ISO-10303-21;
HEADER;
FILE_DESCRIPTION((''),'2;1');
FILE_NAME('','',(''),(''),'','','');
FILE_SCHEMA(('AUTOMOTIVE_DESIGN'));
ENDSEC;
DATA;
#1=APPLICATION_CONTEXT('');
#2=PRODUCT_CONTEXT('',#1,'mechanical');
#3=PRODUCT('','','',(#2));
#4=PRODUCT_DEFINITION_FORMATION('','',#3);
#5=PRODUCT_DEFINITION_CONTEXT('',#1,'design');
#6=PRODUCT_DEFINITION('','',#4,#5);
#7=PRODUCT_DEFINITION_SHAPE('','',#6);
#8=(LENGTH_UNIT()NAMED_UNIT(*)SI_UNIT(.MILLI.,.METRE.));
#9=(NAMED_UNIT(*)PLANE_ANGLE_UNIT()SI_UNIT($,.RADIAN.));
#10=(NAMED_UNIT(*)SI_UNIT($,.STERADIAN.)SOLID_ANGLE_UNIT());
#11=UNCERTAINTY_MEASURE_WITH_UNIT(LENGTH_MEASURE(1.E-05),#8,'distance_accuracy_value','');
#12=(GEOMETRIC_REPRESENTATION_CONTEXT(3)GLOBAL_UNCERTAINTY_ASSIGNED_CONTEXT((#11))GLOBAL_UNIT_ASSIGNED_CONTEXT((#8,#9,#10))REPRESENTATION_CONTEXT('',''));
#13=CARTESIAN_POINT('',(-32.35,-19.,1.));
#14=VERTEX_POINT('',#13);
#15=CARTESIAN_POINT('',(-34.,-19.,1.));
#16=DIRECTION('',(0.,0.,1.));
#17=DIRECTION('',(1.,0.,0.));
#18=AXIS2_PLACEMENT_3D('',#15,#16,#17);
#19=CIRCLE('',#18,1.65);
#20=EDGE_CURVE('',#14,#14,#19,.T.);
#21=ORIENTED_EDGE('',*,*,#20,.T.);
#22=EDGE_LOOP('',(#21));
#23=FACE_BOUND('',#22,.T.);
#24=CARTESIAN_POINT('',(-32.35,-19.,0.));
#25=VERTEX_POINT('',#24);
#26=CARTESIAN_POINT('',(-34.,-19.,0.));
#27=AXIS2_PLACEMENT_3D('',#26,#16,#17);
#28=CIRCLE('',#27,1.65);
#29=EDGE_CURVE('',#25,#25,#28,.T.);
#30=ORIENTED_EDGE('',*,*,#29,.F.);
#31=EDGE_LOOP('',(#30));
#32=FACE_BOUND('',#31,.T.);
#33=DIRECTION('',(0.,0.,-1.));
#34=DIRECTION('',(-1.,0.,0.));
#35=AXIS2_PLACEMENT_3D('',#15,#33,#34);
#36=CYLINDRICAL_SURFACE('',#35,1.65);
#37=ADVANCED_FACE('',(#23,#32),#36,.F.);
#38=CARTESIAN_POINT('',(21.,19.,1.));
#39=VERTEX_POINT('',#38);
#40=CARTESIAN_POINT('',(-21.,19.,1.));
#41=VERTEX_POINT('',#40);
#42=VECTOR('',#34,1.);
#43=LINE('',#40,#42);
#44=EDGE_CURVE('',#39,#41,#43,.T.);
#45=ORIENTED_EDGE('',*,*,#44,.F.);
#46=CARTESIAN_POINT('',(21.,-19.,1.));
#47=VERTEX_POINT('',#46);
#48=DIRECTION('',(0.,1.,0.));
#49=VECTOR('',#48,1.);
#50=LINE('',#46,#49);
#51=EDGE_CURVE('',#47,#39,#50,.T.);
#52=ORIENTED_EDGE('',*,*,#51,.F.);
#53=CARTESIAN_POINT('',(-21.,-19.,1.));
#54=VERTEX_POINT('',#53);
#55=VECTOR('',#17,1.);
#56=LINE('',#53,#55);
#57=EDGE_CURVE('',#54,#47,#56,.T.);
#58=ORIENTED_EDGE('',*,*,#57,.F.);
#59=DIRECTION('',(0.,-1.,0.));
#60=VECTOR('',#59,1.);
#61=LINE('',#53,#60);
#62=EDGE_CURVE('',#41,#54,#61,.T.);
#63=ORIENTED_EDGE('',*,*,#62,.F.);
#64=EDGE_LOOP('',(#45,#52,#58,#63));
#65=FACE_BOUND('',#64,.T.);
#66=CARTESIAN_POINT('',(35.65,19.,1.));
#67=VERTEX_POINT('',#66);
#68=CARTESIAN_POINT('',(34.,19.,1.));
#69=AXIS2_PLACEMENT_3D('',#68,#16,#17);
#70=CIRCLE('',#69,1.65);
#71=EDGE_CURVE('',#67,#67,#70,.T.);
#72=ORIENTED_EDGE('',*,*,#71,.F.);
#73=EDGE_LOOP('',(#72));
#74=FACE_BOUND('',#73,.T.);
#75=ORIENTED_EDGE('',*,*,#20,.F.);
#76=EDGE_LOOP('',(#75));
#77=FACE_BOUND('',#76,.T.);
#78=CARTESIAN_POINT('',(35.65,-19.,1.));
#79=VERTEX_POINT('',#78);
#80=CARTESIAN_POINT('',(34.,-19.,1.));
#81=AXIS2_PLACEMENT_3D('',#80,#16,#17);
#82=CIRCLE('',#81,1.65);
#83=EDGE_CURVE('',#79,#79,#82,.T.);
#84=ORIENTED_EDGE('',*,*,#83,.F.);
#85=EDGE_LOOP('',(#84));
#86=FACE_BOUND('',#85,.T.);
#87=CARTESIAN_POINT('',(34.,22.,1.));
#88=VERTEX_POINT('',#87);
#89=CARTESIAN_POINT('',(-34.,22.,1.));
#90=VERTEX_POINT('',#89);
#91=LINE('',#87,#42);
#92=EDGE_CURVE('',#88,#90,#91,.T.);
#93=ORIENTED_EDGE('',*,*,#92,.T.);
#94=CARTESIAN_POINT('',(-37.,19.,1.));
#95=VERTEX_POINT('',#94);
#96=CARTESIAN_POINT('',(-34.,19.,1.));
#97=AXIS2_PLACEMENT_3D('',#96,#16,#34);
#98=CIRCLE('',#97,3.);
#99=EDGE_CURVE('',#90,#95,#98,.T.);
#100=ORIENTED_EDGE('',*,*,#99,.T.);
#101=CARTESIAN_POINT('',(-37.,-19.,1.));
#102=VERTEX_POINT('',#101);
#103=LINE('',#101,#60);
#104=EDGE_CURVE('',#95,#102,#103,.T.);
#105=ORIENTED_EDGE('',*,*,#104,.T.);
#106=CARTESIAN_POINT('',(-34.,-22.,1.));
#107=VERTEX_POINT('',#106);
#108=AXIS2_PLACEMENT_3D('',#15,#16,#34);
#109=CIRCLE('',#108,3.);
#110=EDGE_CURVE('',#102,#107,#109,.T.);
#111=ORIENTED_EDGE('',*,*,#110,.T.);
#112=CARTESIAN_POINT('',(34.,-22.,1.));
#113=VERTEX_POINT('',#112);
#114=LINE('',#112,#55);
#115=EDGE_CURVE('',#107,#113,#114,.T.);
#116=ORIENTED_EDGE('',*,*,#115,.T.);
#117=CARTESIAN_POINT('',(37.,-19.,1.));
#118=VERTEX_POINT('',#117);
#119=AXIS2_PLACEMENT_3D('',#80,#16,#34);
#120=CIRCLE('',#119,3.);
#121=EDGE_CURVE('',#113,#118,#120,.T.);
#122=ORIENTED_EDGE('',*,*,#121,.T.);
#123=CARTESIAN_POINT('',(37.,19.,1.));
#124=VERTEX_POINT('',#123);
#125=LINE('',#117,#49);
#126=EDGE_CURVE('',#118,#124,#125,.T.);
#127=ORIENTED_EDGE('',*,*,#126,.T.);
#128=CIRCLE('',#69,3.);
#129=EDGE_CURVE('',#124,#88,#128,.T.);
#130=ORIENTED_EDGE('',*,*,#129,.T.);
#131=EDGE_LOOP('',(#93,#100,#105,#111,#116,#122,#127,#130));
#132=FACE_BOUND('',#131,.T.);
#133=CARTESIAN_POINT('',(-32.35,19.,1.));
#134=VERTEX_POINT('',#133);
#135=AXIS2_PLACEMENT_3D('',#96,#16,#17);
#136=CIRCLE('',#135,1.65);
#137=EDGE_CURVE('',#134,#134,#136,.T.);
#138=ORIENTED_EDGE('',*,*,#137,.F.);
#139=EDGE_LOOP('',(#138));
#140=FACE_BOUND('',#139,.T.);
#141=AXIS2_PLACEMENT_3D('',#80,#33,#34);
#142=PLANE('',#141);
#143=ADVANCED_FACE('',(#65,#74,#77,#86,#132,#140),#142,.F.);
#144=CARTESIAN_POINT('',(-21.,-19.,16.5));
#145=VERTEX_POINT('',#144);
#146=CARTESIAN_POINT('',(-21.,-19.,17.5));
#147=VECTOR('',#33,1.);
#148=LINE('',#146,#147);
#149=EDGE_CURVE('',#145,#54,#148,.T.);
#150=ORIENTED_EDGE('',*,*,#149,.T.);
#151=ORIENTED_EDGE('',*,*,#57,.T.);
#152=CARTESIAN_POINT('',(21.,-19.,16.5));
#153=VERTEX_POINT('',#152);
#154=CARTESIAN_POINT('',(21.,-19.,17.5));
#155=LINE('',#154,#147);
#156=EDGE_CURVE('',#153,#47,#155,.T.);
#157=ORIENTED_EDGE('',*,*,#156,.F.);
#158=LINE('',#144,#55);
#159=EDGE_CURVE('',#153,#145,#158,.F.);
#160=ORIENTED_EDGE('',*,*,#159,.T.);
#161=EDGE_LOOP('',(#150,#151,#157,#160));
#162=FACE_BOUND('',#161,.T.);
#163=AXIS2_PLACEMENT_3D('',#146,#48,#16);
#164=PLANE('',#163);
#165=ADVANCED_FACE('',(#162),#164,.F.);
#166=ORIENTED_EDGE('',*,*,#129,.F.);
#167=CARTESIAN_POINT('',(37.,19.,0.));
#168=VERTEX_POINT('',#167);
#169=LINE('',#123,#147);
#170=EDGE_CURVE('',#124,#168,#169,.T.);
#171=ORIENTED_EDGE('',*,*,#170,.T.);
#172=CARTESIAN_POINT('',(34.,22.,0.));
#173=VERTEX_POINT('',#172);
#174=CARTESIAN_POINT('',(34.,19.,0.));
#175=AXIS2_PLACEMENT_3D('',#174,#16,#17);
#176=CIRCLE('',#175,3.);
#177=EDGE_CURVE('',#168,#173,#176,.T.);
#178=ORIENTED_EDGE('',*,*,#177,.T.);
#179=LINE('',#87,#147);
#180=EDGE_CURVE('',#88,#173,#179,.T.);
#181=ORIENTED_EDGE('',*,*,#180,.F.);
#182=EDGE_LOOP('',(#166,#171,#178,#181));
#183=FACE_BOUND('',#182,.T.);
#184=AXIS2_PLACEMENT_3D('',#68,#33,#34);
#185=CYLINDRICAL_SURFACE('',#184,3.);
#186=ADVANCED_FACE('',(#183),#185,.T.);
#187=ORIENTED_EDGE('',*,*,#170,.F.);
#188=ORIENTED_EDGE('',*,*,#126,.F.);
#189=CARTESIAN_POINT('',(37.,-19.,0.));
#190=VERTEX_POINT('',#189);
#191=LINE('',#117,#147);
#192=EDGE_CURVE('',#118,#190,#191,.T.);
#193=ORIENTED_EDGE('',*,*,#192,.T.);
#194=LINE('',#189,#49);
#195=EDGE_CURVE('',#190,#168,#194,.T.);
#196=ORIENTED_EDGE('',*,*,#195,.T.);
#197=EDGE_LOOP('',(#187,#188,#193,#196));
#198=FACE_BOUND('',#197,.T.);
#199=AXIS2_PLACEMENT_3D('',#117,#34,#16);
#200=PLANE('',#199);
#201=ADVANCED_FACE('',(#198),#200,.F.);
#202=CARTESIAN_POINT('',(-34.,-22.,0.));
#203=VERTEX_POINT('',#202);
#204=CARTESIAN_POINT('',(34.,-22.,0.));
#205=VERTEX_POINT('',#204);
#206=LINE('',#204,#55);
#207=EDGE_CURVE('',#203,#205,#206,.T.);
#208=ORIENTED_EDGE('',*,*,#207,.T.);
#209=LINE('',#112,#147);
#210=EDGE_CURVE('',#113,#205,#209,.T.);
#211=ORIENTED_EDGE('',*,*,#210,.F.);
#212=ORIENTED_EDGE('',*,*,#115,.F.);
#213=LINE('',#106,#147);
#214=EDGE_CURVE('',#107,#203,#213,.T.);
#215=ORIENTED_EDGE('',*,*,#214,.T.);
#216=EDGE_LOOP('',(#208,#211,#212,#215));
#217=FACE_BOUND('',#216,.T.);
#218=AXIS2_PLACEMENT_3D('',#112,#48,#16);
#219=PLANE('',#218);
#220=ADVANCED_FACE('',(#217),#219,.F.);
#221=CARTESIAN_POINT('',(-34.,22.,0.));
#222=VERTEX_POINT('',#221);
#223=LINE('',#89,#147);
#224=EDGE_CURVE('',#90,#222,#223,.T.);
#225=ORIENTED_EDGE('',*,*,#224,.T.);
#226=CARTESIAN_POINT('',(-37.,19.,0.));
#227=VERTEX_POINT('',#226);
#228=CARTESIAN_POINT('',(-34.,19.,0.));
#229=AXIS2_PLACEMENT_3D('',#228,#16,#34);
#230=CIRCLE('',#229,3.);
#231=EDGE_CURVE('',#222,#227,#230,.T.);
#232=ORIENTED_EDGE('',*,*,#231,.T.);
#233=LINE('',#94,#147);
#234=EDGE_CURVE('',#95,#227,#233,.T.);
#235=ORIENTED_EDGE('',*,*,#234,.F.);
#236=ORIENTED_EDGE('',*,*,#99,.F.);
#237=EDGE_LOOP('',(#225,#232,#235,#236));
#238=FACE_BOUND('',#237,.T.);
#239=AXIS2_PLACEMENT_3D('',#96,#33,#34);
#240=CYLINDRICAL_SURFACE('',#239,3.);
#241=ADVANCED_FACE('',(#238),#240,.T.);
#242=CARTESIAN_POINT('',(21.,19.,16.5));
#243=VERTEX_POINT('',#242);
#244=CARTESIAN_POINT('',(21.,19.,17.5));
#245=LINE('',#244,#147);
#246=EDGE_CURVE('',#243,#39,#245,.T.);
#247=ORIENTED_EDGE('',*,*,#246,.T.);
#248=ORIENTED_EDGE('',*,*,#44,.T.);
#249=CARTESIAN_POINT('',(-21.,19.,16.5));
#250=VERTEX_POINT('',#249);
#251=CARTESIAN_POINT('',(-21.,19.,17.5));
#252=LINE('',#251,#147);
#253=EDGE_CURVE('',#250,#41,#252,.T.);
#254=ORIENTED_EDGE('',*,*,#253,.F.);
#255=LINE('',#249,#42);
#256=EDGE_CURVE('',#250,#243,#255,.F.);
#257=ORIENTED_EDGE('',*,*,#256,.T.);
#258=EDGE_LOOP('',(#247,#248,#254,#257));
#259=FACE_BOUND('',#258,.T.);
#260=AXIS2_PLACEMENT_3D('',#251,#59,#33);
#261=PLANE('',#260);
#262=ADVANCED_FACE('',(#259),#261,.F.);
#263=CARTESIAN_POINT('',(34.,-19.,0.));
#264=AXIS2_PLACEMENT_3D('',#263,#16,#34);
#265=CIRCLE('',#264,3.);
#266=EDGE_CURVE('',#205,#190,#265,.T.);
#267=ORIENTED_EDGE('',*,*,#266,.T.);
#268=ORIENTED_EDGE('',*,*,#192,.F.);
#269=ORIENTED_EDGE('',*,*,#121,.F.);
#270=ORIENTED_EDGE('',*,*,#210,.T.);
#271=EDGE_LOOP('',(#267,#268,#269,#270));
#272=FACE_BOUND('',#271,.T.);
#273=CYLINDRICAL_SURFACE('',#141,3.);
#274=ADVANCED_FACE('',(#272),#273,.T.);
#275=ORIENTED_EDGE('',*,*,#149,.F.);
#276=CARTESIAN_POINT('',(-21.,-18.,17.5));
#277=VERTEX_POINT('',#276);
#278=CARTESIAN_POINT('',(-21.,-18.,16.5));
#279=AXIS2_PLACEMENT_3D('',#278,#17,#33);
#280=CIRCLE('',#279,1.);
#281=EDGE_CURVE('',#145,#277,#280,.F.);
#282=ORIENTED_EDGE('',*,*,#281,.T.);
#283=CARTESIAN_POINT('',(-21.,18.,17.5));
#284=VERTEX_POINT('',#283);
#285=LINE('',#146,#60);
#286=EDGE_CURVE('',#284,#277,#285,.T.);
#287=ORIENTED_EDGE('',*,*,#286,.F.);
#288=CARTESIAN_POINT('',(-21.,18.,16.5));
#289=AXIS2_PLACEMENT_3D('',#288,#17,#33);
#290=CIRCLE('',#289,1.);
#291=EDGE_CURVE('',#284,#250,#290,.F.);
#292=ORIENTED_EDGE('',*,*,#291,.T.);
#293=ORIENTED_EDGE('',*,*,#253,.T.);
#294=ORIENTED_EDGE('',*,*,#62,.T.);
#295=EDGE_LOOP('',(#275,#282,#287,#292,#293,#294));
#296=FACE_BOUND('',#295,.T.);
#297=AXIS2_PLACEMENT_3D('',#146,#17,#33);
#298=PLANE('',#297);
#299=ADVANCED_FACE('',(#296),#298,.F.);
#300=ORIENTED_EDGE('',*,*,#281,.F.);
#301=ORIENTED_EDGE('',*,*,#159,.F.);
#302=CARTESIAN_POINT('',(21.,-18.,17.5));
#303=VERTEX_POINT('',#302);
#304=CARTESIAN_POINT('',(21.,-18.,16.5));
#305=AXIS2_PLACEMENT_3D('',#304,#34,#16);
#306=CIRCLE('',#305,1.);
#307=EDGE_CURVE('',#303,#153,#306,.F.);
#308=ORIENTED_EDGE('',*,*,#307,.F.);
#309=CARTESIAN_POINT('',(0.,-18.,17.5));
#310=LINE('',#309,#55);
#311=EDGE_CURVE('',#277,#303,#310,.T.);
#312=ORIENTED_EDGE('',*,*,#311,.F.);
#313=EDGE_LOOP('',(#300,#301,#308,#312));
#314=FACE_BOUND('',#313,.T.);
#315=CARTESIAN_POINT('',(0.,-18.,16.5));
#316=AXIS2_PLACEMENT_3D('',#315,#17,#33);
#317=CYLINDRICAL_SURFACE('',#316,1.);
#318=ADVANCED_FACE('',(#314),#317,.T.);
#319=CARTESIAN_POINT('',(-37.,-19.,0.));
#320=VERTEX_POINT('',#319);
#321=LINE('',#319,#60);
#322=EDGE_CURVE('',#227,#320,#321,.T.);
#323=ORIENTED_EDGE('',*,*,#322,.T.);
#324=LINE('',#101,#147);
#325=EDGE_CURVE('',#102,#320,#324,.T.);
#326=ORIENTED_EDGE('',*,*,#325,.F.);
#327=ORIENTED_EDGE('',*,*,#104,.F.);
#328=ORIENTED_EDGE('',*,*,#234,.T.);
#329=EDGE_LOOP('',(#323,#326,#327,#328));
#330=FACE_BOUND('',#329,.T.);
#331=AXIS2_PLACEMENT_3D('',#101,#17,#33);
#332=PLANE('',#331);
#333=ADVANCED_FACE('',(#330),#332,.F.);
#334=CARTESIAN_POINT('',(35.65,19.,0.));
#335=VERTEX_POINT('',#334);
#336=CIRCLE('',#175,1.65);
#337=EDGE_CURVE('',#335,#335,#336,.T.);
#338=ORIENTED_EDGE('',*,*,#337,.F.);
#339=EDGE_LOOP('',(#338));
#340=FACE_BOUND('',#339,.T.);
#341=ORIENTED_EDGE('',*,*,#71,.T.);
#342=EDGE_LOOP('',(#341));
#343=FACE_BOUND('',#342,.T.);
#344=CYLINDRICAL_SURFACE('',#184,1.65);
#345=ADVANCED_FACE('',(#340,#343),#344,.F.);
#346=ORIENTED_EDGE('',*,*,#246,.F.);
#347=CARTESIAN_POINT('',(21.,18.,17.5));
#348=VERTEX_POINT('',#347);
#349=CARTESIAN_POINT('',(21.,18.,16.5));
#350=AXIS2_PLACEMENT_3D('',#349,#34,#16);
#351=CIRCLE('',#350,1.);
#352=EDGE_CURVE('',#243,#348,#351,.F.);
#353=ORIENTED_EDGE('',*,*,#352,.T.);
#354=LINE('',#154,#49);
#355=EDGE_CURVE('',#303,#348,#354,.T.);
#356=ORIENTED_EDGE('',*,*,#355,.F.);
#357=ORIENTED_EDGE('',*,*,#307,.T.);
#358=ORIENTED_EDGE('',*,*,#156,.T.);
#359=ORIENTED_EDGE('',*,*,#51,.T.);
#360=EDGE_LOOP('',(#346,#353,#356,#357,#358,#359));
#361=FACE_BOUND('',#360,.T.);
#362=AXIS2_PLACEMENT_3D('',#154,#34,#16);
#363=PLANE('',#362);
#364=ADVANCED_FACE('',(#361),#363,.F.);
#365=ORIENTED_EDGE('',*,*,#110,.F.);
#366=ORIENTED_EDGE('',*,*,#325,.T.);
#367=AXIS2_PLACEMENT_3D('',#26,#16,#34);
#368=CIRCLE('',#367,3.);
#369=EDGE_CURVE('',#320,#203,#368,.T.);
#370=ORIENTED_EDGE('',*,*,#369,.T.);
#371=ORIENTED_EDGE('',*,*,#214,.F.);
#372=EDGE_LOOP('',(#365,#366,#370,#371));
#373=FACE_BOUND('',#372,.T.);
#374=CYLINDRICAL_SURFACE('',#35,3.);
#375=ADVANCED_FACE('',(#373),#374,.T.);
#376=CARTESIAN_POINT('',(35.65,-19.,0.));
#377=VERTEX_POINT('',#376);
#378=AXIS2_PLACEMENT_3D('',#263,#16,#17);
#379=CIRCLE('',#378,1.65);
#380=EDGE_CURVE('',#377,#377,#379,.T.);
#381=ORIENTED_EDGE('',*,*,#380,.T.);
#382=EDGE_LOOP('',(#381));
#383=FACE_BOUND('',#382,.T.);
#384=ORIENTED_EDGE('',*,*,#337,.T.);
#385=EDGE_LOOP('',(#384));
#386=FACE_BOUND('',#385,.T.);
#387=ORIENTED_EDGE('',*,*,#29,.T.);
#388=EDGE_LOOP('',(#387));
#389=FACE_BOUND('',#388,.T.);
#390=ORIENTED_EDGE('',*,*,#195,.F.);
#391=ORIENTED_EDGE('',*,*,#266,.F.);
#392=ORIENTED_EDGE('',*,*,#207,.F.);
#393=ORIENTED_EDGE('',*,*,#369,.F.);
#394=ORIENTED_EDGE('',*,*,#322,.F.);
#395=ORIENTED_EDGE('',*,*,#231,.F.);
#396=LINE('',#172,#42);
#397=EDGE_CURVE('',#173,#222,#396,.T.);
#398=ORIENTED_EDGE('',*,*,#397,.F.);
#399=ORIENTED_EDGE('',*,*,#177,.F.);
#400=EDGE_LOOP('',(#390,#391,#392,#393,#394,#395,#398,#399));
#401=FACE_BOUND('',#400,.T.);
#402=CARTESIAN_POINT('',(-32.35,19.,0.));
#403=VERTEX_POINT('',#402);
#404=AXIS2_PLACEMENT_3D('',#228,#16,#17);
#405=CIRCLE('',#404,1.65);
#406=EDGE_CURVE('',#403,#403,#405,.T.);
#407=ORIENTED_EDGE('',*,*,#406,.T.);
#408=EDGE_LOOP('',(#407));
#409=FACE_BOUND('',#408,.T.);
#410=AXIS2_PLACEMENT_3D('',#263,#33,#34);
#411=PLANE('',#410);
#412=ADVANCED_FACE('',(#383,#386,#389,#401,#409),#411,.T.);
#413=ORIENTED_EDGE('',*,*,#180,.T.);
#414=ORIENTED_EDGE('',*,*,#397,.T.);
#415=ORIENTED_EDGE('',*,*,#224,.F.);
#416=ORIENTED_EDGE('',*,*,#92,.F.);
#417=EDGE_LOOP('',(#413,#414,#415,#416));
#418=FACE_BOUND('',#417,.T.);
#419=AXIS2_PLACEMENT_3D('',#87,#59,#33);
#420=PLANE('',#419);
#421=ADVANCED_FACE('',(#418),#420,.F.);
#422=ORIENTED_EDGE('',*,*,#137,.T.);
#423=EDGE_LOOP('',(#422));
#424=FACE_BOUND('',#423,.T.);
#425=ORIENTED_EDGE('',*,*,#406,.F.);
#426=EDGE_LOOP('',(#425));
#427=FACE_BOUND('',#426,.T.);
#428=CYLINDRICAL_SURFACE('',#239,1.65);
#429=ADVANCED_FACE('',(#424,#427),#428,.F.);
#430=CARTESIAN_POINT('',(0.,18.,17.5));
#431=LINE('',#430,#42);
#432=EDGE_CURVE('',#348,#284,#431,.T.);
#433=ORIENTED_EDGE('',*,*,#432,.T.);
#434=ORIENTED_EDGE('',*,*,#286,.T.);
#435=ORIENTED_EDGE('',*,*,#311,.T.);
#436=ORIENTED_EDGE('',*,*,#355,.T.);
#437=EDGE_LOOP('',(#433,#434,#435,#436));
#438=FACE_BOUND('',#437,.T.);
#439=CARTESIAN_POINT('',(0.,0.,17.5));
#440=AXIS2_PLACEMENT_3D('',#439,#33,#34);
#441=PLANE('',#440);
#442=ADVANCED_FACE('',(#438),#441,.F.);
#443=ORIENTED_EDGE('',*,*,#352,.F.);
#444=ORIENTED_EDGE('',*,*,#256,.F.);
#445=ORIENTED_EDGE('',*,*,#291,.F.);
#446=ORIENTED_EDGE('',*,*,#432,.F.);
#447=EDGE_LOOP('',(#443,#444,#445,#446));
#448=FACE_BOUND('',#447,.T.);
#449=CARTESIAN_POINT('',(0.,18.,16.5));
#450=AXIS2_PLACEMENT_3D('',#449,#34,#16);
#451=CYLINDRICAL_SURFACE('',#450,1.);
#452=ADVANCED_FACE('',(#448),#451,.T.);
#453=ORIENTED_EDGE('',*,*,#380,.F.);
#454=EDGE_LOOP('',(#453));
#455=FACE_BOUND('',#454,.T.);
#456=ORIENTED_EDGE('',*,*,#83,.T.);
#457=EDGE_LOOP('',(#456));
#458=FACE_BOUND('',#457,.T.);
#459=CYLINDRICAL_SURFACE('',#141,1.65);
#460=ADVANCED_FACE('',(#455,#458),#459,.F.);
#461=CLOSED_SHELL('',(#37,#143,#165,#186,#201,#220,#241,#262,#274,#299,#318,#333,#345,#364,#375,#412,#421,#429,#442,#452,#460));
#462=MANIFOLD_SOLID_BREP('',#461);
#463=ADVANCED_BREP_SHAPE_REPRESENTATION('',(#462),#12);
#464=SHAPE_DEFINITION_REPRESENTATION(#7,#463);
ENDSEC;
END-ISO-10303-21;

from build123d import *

# Parameters (mm, degrees)
CROQUIS1_R              = 1.65
SALIENTE_EXTRUIR1_DEPTH = 1
CROQUIS3_W              = 42
CROQUIS3_H              = 38
SALIENTE_EXTRUIR2_DEPTH = 16.5
REDONDEO1_R             = 1


with BuildPart() as part:
    # Croquis1 → Saliente-Extruir1 (new body)
    with BuildSketch(Plane(origin=(0, 0, 0), x_dir=(0, 1, 0), z_dir=(0, 0, 1))):
        with BuildLine():
            Line((-19, -37), (19, -37))
            ThreePointArc((19, -37), (21.121320344, -36.121320344), (22, -34))
            Line((22, -34), (22, 34))
            ThreePointArc((22, 34), (21.121320344, 36.121320344), (19, 37))
            Line((19, 37), (-19, 37))
            ThreePointArc((-19, 37), (-21.121320344, 36.121320344), (-22, 34))
            Line((-22, 34), (-22, -34))
            ThreePointArc((-22, -34), (-21.121320344, -36.121320344), (-19, -37))
        make_face()
        with Locations(Location((-19, 34, 0), (0, 0, 270))):
            Circle(CROQUIS1_R, mode=Mode.SUBTRACT)
        with Locations(Location((19, 34, 0), (0, 0, 270))):
            Circle(CROQUIS1_R, mode=Mode.SUBTRACT)
        with Locations(Location((19, -34, 0), (0, 0, 270))):
            Circle(CROQUIS1_R, mode=Mode.SUBTRACT)
        with Locations(Location((-19, -34, 0), (0, 0, 270))):
            Circle(CROQUIS1_R, mode=Mode.SUBTRACT)
    extrude(amount=SALIENTE_EXTRUIR1_DEPTH)

    # Croquis3 → Saliente-Extruir2 (add)
    with BuildSketch(Plane.XY.offset(1)):
        Rectangle(CROQUIS3_W, CROQUIS3_H)
    extrude(amount=SALIENTE_EXTRUIR2_DEPTH)

    # Redondeo1
    redondeo1_edges = [part.edges().sort_by_distance(p)[0] for p in [
        (0, 19, 17.5),
        (0, -19, 17.5),
    ]]
    fillet(redondeo1_edges, radius=REDONDEO1_R)


solid = part.part
